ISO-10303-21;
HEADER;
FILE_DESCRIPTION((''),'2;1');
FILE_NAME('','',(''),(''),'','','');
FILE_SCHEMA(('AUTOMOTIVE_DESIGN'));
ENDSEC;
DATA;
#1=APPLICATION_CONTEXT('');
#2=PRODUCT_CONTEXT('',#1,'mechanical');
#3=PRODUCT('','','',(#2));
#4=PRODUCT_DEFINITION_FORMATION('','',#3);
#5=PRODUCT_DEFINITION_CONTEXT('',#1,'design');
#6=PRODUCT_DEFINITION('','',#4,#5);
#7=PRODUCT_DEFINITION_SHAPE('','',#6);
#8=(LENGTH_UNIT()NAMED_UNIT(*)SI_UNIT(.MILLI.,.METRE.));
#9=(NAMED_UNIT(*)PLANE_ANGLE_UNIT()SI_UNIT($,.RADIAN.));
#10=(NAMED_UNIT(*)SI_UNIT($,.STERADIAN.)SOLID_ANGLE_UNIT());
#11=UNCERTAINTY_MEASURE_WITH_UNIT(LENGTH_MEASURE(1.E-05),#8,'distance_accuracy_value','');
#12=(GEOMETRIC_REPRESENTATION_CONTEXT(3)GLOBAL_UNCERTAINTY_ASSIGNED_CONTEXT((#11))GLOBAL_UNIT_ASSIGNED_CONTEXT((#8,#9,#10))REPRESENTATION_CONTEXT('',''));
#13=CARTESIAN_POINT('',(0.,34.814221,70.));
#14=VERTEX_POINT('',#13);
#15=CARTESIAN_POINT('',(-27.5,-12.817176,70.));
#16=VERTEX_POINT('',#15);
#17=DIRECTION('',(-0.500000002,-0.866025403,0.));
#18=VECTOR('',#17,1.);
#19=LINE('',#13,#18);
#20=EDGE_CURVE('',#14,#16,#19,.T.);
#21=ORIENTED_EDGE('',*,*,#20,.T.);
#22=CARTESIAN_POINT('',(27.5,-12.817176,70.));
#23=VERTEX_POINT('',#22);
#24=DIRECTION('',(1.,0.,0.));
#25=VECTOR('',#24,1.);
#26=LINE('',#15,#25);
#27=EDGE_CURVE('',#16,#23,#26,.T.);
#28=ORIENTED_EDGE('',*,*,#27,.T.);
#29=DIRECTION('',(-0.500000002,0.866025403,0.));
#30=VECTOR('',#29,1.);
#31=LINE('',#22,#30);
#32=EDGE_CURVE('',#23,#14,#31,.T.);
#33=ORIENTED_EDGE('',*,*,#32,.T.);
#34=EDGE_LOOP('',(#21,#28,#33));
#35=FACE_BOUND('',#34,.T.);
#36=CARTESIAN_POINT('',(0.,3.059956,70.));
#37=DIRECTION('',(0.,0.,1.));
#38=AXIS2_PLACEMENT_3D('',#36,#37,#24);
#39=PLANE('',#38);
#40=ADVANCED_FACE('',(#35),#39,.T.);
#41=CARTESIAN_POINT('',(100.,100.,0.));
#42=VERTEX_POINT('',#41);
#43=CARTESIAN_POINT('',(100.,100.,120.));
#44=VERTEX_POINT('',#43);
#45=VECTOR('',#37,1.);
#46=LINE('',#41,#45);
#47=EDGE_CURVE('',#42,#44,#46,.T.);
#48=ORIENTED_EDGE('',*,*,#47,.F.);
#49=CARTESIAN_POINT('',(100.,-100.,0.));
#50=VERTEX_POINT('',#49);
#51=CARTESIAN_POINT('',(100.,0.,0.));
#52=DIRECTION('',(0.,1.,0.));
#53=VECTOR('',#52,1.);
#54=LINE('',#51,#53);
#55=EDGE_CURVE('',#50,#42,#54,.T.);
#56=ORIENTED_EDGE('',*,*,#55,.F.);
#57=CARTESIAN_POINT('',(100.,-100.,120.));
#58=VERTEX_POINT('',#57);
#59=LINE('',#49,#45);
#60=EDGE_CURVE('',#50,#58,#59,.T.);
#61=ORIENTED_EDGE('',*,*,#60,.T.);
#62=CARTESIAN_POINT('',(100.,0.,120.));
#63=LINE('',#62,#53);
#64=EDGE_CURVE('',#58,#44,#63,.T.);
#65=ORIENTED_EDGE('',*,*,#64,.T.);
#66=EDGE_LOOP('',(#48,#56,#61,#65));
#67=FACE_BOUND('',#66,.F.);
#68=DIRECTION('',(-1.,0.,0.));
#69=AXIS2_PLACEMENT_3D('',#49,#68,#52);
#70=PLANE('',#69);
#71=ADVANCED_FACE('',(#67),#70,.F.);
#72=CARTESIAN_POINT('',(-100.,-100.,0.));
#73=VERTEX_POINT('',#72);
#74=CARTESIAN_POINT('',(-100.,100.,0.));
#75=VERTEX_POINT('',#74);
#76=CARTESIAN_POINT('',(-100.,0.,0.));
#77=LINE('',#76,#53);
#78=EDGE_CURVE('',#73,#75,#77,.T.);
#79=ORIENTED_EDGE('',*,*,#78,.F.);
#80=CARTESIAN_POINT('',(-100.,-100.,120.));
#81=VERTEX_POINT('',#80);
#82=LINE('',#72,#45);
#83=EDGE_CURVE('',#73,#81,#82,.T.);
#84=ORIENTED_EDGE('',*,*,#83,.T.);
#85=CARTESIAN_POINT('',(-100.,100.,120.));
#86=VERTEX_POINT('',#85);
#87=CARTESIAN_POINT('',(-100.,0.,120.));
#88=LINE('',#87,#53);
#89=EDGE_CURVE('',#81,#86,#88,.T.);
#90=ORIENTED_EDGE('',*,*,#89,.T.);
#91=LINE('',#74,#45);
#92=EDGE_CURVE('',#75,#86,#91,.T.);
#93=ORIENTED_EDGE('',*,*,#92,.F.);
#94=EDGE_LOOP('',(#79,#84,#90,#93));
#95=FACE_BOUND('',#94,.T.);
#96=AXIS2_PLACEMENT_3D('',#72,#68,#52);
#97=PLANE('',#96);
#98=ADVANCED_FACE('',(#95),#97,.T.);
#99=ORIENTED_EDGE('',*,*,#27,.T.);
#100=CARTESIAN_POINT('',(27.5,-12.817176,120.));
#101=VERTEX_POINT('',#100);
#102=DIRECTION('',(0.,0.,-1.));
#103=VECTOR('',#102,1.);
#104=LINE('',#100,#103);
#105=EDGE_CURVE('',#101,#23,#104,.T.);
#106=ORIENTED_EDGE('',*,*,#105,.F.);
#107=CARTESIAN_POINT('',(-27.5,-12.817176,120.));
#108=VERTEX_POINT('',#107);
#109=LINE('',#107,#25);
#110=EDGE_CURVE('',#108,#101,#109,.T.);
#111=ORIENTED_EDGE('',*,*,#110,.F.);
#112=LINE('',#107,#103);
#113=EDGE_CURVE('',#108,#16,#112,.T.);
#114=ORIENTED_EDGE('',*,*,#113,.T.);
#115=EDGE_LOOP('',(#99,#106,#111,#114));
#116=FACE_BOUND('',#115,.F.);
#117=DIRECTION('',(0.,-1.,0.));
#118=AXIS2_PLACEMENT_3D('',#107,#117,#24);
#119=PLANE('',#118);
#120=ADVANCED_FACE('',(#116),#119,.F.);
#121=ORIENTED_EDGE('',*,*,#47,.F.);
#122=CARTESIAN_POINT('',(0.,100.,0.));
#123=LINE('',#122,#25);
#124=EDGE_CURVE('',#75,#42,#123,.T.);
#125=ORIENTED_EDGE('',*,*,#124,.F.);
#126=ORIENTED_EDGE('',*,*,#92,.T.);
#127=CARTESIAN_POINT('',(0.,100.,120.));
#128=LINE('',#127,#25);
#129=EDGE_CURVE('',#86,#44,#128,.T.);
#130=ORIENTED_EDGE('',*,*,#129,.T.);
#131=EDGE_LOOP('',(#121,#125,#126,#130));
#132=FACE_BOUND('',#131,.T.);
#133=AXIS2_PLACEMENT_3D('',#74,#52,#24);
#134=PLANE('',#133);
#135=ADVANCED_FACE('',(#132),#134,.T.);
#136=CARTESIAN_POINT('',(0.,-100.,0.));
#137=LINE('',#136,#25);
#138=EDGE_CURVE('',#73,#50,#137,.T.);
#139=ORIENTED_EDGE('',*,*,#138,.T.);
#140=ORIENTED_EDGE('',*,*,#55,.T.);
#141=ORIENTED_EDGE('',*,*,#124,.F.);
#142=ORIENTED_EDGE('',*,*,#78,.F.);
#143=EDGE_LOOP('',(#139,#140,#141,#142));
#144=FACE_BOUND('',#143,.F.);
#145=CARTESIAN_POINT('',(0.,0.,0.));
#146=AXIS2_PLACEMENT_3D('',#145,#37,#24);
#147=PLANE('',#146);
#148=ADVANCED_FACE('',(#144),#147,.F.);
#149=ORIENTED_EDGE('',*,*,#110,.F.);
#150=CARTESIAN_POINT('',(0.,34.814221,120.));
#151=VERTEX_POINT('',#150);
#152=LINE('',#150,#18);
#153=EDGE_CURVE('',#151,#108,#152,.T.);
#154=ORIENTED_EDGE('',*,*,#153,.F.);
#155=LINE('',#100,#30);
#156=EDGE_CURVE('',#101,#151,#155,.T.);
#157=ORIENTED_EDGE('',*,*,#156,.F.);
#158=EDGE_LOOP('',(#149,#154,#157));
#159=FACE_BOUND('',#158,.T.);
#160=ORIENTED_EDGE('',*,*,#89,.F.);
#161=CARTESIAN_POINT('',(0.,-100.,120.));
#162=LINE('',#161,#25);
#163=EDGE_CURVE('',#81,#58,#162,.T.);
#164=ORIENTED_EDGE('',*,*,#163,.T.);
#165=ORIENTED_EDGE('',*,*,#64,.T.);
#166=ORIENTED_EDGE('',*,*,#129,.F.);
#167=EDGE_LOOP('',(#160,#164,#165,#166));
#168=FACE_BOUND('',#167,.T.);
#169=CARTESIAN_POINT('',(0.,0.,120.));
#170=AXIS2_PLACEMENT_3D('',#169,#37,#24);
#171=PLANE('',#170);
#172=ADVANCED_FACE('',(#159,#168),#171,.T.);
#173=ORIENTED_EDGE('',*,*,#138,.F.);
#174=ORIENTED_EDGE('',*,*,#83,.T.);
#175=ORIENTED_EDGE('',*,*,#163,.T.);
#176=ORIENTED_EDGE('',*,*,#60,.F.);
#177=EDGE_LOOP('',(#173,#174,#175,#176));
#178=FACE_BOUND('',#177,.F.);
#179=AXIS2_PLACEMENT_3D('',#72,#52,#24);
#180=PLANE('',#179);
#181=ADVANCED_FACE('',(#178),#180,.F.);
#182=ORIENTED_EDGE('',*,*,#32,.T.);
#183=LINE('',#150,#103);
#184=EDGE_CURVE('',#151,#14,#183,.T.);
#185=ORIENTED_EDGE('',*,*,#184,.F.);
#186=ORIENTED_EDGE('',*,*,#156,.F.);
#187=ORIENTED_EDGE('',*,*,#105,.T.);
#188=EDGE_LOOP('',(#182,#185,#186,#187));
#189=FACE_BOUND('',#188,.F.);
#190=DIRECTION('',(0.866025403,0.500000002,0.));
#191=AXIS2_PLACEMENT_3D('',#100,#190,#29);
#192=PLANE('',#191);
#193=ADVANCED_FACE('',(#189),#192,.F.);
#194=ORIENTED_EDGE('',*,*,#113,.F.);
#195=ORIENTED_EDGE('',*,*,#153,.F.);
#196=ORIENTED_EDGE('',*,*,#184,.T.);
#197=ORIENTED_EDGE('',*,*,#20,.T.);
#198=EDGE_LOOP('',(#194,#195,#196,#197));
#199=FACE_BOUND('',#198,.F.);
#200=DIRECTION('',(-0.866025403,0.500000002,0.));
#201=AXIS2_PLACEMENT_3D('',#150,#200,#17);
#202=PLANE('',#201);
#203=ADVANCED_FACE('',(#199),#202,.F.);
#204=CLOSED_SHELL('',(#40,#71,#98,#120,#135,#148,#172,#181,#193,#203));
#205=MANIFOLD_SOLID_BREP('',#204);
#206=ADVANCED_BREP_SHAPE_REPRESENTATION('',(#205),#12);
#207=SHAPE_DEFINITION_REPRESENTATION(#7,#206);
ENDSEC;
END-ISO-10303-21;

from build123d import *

# Parameters (mm, degrees)
F0_W     = 200
F0_H     = 200
F1_DEPTH = 120
F3_DEPTH = 50


with BuildPart() as f1:
    # F0 (on Top) → F1 (new body)
    with BuildSketch(Plane.XY):
        Rectangle(F0_W, F0_H)
    extrude(amount=F1_DEPTH)

    # F2 (on face) → F3 (cut)
    with BuildSketch(Plane.XY.offset(120)):
        Polygon((-27.5, -12.817176), (27.5, -12.817176), (0, 34.814221), align=None)
    extrude(amount=-F3_DEPTH, mode=Mode.SUBTRACT)


solid = f1.part
